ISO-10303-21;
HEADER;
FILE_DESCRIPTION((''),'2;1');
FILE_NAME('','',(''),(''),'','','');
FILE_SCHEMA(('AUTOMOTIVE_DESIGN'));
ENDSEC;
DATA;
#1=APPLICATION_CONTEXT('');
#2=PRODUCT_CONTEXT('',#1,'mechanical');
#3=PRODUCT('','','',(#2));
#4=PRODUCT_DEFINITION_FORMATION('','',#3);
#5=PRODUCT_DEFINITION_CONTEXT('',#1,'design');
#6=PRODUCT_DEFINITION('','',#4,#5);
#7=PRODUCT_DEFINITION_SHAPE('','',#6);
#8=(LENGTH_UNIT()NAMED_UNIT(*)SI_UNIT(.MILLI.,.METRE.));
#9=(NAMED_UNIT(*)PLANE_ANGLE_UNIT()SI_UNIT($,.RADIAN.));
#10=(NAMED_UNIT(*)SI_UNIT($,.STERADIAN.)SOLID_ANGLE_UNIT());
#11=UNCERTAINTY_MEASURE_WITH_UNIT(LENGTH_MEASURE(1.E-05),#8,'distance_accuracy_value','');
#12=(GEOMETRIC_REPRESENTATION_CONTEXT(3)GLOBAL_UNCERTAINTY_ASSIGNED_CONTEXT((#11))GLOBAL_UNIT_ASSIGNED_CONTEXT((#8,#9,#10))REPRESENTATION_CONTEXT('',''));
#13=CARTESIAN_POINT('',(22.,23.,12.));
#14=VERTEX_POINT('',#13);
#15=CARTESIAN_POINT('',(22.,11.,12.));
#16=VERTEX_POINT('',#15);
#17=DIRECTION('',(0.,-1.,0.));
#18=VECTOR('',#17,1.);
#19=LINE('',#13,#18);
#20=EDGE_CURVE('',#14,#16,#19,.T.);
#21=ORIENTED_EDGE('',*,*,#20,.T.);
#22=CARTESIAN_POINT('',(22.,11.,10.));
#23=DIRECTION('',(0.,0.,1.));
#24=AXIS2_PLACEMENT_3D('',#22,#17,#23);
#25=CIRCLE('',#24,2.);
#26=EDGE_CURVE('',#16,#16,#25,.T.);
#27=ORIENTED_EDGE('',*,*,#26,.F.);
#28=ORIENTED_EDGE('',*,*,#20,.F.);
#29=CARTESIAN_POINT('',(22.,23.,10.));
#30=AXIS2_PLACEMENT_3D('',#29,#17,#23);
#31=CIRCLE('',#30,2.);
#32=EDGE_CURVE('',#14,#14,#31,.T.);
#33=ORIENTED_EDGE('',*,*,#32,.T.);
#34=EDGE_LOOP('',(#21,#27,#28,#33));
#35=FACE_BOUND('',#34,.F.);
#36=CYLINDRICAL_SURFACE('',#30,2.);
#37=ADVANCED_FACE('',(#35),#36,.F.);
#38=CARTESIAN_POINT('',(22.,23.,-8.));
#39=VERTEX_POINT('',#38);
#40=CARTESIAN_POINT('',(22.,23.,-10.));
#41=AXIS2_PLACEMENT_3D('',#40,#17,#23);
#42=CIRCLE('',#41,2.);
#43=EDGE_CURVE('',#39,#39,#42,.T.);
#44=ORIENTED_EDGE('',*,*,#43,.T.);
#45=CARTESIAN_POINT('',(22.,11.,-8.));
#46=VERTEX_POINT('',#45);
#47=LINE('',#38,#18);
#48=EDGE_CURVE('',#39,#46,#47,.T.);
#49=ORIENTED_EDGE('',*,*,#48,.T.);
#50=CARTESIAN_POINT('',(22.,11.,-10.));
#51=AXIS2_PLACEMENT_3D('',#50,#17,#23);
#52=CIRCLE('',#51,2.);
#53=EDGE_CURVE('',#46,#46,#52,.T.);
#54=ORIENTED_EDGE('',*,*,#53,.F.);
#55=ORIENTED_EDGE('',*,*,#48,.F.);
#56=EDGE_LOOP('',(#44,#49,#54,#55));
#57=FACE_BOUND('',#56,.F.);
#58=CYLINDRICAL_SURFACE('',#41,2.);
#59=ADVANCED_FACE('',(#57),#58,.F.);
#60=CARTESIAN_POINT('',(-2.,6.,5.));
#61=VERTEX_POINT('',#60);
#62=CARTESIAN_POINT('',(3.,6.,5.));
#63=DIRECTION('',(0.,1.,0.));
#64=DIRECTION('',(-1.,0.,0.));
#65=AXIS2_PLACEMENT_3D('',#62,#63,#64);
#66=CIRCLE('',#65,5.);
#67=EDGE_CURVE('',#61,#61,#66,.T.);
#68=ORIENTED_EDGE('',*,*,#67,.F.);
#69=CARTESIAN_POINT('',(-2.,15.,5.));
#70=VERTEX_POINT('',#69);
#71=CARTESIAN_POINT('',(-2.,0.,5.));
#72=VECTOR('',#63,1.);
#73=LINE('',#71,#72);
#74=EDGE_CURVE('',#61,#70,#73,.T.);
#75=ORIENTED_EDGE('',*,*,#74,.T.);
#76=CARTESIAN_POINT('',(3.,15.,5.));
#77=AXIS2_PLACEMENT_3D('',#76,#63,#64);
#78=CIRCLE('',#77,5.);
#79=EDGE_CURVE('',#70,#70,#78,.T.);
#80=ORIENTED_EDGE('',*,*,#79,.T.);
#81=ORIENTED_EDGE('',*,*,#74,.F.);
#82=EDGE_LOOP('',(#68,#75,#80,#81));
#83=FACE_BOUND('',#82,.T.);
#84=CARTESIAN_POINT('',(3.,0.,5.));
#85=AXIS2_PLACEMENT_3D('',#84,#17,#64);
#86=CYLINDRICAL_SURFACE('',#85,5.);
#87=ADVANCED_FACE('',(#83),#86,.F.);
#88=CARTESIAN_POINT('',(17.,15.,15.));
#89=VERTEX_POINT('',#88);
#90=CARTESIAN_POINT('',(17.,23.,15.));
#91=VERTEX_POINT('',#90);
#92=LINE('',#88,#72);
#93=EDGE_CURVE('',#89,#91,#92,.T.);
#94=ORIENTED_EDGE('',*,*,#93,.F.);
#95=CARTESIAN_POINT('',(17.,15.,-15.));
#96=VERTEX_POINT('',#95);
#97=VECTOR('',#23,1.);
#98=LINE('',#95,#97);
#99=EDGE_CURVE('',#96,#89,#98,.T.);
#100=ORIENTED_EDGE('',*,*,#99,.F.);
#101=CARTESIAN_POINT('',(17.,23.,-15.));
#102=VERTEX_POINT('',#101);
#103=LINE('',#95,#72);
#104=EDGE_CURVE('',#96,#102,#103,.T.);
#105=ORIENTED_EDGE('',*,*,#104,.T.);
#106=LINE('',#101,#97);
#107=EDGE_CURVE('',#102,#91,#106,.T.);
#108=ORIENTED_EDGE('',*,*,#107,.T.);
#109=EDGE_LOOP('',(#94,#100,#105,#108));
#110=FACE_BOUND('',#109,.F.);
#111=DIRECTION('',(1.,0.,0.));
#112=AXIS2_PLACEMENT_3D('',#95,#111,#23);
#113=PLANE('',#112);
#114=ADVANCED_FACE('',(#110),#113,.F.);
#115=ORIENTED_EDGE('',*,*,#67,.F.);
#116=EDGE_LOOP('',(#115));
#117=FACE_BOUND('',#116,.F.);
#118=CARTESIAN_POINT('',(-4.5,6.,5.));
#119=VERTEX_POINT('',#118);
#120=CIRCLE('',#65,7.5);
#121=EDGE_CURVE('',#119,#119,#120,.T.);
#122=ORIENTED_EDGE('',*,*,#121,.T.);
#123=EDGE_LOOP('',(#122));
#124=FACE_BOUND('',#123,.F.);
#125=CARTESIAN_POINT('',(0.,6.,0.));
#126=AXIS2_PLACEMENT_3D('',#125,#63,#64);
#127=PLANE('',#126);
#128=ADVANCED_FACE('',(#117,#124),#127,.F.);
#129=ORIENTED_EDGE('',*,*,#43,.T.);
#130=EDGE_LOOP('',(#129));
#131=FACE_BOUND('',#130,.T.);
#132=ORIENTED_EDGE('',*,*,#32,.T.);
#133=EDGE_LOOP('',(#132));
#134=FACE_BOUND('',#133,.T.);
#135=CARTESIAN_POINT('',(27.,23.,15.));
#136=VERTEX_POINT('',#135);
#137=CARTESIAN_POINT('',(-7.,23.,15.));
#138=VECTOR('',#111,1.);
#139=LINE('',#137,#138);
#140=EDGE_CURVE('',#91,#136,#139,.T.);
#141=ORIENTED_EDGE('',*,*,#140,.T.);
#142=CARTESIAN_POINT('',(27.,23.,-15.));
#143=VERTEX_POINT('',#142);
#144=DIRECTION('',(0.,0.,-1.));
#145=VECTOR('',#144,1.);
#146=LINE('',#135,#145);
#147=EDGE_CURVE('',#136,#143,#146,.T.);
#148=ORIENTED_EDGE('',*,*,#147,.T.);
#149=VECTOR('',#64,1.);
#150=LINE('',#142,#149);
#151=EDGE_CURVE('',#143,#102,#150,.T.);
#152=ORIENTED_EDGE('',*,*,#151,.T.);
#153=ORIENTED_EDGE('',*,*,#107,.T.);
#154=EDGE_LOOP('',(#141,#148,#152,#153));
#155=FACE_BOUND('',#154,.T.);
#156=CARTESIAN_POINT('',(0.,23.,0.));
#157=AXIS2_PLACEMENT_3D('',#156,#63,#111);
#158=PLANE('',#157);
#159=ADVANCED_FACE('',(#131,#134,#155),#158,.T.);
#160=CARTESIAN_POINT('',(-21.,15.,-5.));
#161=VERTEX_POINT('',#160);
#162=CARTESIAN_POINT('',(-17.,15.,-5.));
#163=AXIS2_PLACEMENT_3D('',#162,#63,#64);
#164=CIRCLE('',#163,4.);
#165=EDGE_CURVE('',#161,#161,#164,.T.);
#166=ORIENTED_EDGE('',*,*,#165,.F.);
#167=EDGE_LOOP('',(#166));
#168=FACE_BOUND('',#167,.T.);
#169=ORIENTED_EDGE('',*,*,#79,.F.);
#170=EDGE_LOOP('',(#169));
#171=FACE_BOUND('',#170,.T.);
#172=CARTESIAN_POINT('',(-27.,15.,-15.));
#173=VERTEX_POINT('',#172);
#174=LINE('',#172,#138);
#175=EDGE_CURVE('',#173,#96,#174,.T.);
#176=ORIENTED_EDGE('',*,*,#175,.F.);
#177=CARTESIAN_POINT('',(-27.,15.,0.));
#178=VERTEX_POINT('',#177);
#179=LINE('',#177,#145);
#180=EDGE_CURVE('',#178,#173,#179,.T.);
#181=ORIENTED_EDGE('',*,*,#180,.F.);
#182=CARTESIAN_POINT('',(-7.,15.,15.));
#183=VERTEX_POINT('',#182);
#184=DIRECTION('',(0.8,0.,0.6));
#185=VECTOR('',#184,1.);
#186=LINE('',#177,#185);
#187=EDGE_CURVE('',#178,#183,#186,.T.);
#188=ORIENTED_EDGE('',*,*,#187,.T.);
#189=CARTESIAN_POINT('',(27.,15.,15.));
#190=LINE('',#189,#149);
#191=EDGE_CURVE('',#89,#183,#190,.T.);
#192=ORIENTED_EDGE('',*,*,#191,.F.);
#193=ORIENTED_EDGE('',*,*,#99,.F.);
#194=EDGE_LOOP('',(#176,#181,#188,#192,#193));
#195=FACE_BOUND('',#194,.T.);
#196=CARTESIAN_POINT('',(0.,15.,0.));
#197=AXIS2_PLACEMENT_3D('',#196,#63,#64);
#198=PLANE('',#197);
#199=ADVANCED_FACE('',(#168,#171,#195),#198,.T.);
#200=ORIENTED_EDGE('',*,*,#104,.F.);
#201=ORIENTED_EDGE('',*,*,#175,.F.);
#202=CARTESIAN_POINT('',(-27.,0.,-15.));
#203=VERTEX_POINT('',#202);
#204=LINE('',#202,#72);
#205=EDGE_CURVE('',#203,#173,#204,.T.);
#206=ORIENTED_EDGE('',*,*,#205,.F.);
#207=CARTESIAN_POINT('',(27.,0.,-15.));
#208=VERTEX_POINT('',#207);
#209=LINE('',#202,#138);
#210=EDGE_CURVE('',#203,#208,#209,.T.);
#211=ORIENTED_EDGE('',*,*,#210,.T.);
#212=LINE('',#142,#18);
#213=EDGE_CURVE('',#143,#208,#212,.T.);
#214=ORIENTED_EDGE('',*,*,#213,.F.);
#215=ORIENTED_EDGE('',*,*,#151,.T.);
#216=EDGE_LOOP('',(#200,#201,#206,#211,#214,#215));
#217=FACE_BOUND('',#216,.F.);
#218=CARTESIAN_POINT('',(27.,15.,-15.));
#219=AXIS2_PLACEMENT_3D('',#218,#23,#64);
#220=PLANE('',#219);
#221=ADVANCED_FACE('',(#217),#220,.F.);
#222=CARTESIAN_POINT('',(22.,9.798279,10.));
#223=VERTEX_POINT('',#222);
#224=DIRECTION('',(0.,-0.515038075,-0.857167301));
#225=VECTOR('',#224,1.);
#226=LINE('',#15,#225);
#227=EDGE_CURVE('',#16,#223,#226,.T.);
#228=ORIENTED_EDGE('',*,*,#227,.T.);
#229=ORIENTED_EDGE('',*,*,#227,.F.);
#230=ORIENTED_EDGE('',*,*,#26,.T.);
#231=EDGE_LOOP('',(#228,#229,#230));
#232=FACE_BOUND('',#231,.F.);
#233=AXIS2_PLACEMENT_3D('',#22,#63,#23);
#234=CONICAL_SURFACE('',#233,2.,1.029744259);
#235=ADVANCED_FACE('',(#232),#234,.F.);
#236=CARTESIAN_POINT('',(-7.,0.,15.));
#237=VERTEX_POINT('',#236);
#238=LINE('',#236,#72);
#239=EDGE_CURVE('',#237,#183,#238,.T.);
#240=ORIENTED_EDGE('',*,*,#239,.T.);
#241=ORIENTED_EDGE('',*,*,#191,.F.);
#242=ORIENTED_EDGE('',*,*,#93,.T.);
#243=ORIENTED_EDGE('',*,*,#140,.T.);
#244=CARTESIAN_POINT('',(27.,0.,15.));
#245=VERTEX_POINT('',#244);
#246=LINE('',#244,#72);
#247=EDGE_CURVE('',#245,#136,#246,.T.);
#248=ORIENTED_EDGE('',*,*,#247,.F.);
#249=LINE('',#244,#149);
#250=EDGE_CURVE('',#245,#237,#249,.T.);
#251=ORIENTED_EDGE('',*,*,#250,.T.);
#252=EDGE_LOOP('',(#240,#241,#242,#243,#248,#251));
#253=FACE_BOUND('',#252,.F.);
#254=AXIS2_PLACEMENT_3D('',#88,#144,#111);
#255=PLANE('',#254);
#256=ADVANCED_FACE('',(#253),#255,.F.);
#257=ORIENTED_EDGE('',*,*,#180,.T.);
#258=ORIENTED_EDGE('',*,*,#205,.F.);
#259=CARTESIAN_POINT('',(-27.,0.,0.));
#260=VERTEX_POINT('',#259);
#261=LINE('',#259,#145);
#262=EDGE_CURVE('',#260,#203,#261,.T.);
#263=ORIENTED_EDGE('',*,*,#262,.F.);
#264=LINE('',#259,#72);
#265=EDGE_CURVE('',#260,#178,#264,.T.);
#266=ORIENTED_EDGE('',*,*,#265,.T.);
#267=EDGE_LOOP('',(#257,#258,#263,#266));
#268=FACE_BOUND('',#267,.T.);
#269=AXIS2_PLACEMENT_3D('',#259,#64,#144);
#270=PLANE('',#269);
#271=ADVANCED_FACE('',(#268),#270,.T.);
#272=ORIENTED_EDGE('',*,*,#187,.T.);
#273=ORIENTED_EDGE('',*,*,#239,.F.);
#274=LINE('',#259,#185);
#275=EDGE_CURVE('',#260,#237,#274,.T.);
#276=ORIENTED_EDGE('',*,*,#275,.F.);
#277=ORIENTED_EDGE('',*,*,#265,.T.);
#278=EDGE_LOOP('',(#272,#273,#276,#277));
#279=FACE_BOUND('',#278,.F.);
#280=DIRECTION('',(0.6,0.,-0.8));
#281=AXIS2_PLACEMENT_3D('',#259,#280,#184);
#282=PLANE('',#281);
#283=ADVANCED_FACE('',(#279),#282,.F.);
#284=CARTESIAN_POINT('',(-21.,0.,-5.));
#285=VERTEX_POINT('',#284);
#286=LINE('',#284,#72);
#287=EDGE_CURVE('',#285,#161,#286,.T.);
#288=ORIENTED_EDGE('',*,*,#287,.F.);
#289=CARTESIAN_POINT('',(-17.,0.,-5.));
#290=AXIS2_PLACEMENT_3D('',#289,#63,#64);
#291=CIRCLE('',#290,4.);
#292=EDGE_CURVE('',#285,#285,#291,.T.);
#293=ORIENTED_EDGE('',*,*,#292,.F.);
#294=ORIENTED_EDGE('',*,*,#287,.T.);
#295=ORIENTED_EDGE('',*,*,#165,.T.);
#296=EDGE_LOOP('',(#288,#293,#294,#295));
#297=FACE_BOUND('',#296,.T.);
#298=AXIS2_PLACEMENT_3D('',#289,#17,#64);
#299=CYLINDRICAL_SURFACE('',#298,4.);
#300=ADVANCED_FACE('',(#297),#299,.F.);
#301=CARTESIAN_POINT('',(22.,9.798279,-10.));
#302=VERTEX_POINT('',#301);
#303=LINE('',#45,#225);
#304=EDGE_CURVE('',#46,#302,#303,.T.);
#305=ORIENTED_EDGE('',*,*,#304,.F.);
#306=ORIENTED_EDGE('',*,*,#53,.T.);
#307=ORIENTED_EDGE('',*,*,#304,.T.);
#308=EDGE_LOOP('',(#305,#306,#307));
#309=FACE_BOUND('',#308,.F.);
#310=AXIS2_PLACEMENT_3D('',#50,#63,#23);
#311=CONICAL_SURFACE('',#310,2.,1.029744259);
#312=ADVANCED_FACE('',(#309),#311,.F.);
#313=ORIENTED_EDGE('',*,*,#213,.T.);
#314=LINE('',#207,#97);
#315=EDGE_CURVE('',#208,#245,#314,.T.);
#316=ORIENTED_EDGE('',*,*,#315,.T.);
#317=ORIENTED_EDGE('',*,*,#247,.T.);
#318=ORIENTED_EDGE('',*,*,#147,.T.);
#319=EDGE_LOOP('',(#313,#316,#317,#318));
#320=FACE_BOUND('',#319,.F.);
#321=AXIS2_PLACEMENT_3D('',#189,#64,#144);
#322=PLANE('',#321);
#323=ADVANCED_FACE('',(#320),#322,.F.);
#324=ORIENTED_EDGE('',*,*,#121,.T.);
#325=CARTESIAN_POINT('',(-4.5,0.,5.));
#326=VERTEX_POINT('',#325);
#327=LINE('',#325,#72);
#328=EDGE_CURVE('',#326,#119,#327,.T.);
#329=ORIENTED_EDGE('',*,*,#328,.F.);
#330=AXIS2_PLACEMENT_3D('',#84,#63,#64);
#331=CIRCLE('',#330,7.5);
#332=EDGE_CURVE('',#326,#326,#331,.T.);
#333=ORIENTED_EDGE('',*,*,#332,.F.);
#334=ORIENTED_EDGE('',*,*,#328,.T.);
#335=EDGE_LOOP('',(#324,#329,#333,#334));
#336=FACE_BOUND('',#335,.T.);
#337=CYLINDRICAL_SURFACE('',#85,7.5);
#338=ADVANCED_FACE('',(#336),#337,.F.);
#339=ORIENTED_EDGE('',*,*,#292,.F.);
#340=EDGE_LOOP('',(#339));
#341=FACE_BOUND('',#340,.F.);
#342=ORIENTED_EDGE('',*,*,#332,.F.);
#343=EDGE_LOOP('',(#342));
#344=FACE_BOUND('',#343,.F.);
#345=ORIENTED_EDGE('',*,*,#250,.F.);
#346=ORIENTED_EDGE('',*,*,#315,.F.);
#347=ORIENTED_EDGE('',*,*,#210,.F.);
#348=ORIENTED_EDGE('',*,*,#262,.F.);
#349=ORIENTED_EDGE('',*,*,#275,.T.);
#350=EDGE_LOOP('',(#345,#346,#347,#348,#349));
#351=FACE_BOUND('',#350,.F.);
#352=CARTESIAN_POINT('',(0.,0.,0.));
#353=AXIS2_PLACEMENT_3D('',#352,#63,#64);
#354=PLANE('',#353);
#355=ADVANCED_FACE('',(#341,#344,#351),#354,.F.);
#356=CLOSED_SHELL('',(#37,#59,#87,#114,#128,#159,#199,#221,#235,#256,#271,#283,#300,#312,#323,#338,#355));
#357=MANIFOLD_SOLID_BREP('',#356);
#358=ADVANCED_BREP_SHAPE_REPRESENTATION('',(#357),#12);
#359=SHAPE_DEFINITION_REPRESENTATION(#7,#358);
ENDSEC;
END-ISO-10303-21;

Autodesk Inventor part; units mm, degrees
ref_plane "YZ Plane" through (0, 0, 0) normal (1, 0, 0) x (0, 1, 0)
ref_plane "XZ Plane" through (0, 0, 0) normal (0, 1, 0) x (-1, 0, 0)
ref_plane "XY Plane" through (0, 0, 0) normal (0, 0, 1) x (1, 0, 0)
sketch "草图1" plane through (0, 0, 0) normal (0, 1, 0) x (-1, 0, 0)
  line L0 (-27, 15) -> (7, 15)
  line L1 (27, 0) -> (27, -15)
  line L2 (27, -15) -> (-27, -15)
  line L3 (-27, -15) -> (-27, 15)
  line L4 (-27, 15) -> (27, -15) construction
  line L5 (27, 15) -> (-27, -15) construction
  line L6 (27, 0) -> (7, 15)
  circle A0 centre (17, -5) radius 4
  circle A1 centre (-3, 5) radius 5
  point P0 (0, 0)
  dimension "d0" = 54
  dimension "d1" = 30
  dimension "d2" = 20
  dimension "d3" = 8
  dimension "d4" = 10
  dimension "d5" = 10
  dimension "d6" = 10
  dimension "d7" = 20
  dimension "d8" = 30
extrude "拉伸1" add sketch "草图1" along normal blind 15
sketch "草图2" plane through (0, 0, 0) normal (0, 1, 0) x (-1, 0, 0)
  circle A0 centre (-3, 5) radius 5 projected
  circle A1 centre (17, -5) radius 4 projected
  line L0 (7, 15) -> (-27, 15) projected
  line L1 (-27, 15) -> (-27, -15) projected
  line L2 (-27, -15) -> (27, -15) projected
  line L3 (27, -15) -> (27, 0) projected
  line L4 (27, 0) -> (7, 15) projected
  circle A2 centre (-3, 5) radius 7.5
  point P0 (0, 0)
  dimension "d11" = 15
extrude "拉伸2" cut sketch "草图2" along normal blind 6 contours A2
sketch "草图3" plane through (0, 15, 0) normal (0, 1, 0) x (1, 0, 0)
  line L0 (-7, -15) -> (27, -15) projected
  line L1 (27, -15) -> (27, 15) projected
  line L2 (27, 15) -> (-27, 15) projected
  line L3 (17, 15) -> (17, -15)
  point P0 (0, 0)
  dimension "d14" = 10
extrude "拉伸3" add sketch "草图3" along normal blind 8
hole "孔1" at (22, 23, 10) direction (0, -1, 0) diameter 4 depth 12 tip angle 118
hole "孔2" at (22, 23, -10) direction (0, -1, 0) diameter 4 depth 12 tip angle 118
